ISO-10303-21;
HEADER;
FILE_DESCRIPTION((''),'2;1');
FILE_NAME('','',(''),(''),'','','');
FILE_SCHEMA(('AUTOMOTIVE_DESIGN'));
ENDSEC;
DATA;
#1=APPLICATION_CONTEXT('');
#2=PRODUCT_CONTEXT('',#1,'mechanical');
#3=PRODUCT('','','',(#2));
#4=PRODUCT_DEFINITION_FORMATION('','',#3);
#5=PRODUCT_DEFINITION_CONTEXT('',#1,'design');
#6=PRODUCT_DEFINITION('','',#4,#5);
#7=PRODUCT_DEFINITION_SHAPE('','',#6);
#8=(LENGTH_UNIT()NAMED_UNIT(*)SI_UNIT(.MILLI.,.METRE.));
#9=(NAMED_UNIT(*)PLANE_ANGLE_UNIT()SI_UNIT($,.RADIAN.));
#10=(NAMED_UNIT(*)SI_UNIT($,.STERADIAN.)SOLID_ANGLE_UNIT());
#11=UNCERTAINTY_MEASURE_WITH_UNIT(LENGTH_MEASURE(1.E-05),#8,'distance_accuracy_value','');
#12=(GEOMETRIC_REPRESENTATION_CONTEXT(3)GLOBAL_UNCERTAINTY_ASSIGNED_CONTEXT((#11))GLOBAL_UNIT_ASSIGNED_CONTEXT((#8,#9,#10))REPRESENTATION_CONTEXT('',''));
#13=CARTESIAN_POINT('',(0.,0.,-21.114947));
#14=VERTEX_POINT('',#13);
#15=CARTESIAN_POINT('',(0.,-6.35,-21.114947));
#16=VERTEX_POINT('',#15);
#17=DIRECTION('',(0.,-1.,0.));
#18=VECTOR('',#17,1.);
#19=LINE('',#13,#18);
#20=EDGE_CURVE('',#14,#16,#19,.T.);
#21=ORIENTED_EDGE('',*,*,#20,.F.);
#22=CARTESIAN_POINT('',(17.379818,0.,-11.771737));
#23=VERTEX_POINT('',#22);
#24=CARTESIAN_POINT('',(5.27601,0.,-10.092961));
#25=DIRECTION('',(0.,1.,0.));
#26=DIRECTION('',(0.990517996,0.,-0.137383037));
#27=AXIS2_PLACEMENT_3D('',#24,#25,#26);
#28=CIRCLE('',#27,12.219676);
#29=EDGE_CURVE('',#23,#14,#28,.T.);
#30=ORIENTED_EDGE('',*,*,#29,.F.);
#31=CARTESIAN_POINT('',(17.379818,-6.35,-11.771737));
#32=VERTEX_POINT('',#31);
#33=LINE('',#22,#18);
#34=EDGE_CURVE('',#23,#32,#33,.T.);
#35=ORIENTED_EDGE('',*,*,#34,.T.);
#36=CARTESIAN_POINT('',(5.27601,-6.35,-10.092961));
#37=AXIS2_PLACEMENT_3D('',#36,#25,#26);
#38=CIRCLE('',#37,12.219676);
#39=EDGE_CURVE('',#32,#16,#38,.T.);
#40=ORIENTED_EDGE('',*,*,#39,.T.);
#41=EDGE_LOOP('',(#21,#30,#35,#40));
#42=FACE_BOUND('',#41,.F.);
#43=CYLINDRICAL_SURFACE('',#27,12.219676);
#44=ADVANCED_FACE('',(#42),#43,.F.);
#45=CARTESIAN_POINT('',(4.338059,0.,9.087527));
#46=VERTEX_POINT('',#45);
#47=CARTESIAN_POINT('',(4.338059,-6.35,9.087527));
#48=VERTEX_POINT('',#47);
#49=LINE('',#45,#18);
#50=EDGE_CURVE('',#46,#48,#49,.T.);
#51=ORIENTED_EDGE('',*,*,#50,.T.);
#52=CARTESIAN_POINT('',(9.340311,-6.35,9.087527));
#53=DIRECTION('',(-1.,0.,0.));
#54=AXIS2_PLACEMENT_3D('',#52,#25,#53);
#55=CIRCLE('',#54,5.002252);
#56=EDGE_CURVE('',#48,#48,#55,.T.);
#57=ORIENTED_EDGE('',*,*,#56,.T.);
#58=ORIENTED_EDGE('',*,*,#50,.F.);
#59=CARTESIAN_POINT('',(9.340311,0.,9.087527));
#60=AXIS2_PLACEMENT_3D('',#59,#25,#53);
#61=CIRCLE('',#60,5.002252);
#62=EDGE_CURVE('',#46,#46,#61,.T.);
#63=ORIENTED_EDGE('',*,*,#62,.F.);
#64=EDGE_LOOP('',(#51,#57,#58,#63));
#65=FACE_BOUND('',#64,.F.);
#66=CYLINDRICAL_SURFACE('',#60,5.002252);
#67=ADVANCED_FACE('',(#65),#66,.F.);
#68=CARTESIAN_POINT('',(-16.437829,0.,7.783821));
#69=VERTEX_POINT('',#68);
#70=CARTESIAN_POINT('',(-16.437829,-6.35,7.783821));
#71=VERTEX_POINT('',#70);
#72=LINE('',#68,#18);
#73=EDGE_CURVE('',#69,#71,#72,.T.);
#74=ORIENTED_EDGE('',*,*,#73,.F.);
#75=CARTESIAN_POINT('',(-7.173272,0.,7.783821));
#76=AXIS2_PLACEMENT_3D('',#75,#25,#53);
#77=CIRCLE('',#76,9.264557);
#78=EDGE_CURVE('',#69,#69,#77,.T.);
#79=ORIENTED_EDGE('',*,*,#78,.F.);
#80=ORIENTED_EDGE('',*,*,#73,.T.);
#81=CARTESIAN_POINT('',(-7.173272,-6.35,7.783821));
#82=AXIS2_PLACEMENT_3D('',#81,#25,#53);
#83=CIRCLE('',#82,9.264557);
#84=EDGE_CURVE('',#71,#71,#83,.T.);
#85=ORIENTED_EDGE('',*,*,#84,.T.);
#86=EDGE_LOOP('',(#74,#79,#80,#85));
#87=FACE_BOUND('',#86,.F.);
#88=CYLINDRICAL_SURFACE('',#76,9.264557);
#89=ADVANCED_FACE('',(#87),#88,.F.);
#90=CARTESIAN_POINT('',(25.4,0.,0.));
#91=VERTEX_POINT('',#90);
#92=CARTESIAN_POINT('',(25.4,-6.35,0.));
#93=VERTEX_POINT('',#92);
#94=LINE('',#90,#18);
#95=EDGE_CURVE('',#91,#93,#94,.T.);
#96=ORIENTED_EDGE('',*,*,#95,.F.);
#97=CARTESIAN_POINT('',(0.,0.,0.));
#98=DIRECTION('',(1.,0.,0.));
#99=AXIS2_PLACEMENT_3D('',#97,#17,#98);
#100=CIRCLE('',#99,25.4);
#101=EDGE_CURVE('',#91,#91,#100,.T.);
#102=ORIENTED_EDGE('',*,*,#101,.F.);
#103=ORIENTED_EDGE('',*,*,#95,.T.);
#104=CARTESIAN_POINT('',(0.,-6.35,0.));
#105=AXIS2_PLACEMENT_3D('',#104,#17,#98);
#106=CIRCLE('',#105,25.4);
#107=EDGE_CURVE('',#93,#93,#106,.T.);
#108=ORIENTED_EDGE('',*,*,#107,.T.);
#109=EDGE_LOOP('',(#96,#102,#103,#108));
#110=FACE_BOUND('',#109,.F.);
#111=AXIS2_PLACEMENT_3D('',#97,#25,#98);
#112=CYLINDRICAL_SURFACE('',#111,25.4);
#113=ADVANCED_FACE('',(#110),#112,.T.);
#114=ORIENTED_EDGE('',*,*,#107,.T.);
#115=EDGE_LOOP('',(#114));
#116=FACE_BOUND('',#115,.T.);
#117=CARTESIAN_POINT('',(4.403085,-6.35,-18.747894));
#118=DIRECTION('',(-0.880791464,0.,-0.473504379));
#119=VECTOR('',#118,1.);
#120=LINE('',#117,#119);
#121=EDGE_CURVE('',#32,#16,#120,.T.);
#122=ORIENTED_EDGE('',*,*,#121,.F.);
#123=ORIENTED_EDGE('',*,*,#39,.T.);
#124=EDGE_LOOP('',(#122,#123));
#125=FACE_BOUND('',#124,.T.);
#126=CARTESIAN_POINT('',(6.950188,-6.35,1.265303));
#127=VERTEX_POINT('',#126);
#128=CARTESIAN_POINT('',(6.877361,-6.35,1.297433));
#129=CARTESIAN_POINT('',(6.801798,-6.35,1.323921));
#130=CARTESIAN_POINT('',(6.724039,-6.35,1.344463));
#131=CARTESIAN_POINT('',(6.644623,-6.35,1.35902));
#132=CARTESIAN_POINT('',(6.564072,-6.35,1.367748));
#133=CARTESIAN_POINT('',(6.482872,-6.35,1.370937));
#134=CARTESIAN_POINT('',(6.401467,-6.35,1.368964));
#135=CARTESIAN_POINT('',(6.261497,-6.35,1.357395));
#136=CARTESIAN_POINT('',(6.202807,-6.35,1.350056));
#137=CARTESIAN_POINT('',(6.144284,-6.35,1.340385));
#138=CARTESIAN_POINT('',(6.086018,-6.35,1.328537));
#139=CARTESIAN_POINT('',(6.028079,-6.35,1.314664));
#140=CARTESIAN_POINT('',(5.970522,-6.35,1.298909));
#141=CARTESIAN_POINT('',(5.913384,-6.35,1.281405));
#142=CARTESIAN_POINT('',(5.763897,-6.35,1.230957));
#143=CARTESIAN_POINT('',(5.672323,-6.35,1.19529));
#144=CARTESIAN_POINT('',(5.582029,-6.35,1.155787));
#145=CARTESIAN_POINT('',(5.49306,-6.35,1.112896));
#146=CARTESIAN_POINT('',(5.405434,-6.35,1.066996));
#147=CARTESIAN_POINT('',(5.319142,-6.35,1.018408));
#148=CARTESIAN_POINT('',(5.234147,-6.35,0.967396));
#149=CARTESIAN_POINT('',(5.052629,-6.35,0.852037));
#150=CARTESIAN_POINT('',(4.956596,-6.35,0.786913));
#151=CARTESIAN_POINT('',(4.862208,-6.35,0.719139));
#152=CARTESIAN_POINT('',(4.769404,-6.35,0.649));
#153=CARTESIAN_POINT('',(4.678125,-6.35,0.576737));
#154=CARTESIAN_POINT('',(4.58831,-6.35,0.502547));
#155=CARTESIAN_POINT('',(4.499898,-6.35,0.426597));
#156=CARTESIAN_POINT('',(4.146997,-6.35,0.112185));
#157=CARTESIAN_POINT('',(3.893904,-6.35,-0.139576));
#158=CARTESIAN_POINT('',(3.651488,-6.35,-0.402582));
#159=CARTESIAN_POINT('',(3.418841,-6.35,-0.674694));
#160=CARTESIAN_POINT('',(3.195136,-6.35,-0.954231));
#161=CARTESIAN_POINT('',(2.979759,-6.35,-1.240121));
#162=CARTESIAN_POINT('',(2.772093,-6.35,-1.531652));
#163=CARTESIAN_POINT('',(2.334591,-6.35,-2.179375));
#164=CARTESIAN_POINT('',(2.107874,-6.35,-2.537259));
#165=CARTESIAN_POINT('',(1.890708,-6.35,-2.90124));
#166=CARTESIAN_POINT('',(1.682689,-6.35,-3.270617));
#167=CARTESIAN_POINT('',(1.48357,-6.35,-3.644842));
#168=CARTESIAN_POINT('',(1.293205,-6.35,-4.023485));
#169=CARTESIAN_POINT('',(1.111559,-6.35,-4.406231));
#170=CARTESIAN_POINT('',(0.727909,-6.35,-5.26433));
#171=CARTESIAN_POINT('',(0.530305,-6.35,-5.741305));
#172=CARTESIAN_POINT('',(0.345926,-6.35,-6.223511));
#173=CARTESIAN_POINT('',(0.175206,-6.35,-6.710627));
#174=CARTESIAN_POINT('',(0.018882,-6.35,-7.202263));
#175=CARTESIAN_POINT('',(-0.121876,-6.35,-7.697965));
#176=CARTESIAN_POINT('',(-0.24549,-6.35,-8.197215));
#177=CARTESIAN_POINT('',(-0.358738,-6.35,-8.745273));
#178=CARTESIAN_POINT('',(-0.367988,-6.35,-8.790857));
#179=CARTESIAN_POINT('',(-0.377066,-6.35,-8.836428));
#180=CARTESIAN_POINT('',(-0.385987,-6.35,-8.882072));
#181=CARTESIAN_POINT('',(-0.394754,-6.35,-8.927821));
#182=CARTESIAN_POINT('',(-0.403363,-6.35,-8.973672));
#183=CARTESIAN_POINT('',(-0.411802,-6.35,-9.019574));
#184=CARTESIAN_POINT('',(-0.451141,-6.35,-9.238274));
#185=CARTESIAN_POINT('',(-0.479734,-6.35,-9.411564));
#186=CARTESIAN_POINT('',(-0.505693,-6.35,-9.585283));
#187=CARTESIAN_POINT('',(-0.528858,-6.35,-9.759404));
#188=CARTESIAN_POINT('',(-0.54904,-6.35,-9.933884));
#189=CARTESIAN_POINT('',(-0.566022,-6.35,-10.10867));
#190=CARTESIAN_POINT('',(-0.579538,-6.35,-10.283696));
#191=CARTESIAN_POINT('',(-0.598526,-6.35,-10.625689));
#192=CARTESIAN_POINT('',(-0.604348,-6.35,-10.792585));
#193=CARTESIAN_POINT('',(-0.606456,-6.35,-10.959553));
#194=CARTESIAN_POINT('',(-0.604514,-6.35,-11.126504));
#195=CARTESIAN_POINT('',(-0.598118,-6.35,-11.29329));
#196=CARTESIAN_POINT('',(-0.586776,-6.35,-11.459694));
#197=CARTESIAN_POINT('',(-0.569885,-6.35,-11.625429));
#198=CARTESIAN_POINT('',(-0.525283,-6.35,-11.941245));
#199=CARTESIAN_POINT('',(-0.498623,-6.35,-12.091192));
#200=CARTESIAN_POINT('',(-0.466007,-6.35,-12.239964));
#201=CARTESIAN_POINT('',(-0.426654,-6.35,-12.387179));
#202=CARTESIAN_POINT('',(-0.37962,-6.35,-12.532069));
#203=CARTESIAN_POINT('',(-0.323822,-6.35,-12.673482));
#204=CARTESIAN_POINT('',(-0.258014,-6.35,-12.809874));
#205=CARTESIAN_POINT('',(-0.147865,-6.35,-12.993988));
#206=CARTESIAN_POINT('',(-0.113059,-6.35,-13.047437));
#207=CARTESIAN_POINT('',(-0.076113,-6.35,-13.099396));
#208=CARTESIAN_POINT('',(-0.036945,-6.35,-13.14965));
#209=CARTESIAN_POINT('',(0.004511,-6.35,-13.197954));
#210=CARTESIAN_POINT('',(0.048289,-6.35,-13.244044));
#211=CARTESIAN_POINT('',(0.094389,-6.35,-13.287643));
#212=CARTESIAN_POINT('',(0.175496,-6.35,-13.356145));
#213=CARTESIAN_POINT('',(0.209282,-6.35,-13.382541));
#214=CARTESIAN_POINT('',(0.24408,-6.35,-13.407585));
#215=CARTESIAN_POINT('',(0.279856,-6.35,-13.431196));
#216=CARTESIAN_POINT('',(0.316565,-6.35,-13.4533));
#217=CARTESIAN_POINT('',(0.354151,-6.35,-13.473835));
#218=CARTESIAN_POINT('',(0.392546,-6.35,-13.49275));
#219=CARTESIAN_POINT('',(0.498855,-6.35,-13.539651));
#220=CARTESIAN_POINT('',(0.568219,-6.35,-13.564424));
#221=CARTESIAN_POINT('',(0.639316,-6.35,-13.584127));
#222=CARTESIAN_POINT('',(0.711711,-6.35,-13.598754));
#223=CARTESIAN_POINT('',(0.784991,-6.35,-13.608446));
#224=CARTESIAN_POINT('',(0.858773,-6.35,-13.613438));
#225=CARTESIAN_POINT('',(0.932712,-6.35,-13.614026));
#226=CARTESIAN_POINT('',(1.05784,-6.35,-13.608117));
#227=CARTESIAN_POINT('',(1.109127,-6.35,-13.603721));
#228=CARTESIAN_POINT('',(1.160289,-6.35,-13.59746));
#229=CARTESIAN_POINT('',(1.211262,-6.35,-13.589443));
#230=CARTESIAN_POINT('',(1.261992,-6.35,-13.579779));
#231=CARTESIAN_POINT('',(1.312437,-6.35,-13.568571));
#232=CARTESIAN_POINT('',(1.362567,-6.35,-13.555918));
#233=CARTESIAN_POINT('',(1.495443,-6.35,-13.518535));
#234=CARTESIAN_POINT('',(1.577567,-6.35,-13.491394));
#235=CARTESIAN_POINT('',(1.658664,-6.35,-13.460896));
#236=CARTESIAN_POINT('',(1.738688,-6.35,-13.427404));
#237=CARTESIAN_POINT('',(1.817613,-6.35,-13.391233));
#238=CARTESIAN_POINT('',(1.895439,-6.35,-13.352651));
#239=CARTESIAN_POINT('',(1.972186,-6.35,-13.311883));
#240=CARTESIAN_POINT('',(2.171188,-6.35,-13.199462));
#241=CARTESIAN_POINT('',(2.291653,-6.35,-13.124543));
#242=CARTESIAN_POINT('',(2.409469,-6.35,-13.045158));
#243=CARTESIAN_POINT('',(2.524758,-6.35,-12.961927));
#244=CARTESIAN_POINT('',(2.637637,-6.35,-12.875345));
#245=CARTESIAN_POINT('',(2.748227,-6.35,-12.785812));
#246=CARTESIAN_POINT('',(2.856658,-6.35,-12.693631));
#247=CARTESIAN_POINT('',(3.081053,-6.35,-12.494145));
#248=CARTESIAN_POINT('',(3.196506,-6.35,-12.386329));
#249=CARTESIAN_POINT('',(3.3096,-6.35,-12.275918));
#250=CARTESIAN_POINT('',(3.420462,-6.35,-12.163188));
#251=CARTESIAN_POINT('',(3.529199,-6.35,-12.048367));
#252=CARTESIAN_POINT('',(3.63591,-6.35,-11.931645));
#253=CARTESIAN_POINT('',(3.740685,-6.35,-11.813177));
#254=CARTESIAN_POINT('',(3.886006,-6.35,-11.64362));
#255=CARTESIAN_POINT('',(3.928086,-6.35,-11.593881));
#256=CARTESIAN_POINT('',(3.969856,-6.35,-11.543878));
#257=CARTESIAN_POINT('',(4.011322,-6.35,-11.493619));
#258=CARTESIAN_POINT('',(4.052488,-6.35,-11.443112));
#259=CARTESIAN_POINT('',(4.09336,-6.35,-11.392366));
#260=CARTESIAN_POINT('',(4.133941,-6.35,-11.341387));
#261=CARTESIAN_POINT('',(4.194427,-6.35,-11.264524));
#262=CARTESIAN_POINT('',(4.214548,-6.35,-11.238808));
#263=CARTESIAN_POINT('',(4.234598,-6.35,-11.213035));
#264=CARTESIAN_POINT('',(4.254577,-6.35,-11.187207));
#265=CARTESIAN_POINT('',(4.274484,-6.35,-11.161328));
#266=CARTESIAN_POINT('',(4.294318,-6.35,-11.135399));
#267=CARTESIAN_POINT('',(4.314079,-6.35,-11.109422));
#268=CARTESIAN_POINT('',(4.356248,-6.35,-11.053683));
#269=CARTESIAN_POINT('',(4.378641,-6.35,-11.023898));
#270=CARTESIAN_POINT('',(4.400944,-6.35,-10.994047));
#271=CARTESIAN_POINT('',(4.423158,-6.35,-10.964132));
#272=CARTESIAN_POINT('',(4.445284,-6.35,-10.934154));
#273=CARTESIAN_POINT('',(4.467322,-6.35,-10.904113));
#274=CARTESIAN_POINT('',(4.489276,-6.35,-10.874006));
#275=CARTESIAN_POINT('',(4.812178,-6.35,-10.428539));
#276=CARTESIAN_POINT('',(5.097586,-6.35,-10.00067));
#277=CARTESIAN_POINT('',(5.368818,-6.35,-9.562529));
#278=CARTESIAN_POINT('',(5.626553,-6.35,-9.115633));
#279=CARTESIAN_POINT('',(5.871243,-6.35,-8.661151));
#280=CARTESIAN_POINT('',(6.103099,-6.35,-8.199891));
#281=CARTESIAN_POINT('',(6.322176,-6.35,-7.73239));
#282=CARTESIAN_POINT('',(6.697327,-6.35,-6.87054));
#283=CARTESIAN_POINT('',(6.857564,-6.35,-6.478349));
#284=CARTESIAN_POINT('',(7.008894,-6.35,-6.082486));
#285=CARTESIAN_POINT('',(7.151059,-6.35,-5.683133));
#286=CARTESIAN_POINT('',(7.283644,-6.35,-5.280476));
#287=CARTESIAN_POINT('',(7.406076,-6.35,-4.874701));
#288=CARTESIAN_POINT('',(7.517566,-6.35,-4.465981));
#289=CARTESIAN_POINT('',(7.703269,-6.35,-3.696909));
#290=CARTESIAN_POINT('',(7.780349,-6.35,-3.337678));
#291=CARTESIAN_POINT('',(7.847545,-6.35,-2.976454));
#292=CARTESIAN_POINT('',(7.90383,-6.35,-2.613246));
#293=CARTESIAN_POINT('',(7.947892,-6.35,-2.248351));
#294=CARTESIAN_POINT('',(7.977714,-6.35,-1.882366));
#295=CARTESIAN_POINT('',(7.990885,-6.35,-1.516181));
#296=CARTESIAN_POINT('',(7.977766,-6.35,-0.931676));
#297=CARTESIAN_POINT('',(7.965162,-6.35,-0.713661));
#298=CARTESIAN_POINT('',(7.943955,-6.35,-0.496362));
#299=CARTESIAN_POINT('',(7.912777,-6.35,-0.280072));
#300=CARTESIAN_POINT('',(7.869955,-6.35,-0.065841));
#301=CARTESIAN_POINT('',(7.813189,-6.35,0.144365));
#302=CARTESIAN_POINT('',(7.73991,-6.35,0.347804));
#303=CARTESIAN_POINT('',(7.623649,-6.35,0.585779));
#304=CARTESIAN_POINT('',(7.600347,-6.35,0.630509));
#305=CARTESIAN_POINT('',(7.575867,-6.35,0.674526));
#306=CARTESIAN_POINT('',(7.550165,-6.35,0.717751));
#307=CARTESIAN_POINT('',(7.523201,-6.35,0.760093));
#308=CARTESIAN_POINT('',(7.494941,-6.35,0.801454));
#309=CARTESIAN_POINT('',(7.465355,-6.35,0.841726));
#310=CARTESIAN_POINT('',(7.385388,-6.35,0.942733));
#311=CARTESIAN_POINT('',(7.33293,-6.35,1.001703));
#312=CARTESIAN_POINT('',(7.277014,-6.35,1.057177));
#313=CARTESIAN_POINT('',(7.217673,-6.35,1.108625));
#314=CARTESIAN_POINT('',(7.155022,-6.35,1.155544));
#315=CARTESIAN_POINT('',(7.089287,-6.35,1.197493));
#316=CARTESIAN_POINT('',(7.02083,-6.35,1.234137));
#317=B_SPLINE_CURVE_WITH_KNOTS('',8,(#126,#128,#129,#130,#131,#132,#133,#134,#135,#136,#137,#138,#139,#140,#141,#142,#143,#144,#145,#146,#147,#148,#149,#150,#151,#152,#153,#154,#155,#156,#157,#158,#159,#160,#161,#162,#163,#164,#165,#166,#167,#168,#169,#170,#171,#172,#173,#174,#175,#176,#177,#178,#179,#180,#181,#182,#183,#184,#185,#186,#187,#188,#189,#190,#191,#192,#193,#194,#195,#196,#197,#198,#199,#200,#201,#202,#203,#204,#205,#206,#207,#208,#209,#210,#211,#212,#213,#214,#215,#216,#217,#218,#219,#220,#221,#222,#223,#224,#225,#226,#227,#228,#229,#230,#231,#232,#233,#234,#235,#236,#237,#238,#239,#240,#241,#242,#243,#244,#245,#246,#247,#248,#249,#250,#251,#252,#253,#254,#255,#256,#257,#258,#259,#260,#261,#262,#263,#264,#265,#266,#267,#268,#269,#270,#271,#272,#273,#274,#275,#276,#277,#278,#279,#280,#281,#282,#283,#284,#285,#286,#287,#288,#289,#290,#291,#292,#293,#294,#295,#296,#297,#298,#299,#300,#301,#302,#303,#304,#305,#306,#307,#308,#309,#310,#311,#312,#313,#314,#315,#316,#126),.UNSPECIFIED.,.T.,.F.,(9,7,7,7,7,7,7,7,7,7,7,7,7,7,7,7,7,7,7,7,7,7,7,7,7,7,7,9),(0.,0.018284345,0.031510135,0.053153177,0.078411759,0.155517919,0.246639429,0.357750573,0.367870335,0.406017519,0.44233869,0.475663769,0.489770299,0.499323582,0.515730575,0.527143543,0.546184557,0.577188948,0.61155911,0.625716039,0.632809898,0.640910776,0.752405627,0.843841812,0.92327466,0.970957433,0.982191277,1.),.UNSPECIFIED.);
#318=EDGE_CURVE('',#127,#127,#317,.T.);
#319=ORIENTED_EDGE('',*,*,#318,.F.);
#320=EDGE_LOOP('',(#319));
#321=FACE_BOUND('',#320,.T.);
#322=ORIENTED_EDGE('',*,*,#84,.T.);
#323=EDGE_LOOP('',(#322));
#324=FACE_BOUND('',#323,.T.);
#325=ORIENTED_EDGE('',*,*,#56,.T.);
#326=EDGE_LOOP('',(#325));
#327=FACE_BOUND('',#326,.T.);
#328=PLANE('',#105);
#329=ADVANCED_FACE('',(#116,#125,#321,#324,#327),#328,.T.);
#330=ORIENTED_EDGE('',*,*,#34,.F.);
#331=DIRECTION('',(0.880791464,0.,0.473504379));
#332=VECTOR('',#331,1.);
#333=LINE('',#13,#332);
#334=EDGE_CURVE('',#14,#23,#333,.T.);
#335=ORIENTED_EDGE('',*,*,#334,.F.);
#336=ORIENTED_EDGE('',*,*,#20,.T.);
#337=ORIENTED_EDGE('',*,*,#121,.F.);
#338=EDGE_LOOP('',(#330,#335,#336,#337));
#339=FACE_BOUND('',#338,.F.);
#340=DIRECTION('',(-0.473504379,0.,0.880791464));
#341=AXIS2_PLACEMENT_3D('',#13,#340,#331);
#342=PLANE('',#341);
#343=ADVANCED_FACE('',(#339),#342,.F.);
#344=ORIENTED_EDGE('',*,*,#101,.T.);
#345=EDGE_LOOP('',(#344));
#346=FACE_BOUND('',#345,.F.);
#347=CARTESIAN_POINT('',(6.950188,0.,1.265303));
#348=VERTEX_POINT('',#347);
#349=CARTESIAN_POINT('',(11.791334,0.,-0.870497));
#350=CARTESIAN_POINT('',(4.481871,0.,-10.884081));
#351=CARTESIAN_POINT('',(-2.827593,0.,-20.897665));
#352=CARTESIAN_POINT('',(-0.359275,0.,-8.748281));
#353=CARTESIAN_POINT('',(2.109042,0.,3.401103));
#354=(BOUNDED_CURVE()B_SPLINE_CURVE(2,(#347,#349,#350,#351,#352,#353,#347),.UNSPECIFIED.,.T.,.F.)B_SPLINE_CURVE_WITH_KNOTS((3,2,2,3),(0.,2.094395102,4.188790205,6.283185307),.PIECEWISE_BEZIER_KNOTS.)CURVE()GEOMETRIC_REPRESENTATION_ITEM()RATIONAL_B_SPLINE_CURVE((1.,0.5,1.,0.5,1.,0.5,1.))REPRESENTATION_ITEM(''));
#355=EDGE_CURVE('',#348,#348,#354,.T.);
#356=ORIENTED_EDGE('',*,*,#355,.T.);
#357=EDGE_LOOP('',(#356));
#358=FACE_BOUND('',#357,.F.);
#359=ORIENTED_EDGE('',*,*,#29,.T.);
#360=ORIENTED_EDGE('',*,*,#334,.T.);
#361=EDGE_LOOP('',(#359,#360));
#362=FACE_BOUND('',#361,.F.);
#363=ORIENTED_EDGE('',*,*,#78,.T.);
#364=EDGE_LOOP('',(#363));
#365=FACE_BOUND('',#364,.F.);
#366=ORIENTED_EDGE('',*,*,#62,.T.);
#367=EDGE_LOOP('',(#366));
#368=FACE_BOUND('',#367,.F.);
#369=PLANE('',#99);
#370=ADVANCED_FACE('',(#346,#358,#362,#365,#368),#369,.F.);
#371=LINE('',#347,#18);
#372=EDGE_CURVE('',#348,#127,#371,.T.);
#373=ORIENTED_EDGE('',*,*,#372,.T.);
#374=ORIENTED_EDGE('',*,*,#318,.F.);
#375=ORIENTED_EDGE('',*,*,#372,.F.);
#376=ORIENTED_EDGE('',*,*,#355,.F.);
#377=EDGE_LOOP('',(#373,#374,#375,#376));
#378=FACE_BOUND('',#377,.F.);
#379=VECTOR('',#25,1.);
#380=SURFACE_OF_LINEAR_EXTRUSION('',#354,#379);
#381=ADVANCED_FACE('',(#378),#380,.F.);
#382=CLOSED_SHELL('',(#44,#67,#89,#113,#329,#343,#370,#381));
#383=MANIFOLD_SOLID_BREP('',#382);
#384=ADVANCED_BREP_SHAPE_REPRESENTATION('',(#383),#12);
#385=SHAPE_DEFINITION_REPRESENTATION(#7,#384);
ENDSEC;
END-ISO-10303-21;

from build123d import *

# Parameters (mm, degrees)
F0_R     = 25.4
F1_DEPTH = 6.35
F2_R     = 5.0022521094
F2_R_2   = 9.2645571297
F3_DEPTH = 304.8


with BuildPart() as f1:
    # F0 (on Front) → F1 (new body)
    with BuildSketch(Plane.XZ):
        Circle(F0_R)
    extrude(amount=F1_DEPTH)

    # F2 (on face) → F3 (cut)
    with BuildSketch(Plane(origin=(0, 0, 0), x_dir=(-1, 0, 0), z_dir=(0, 1, 0))):
        with Locations((-9.3403114006, 9.0875271708)):
            Circle(F2_R)
        with Locations((7.1732723154, 7.7838213183)):
            Circle(F2_R_2)
        with BuildLine():
            add(Edge.make_bspline(
                [(-6.9501879625, 1.2653029989), (-11.791334102, -0.8704968986), (-4.4818707212, -10.8840809798), (2.8275926597, -20.8976650611), (0.3592754184, -8.7482810823), (-2.109041823, 3.4011028965), (-6.9501879625, 1.2653029989)],
                knots=[0, 0, 0, 2.0943951024, 2.0943951024, 4.1887902048, 4.1887902048, 6.2831853072, 6.2831853072, 6.2831853072], degree=2, weights=[1, 0.5, 1, 0.5, 1, 0.5, 1]))
        make_face()
        with BuildLine():
            Line((0, -21.1149472743), (-17.3798184842, -11.7717366666))
            ThreePointArc((-17.3798184842, -11.7717366666), (-11.0620797857, -20.8559465014), (0, -21.1149472743))
        make_face()
    extrude(amount=-F3_DEPTH, mode=Mode.SUBTRACT)


solid = f1.part
